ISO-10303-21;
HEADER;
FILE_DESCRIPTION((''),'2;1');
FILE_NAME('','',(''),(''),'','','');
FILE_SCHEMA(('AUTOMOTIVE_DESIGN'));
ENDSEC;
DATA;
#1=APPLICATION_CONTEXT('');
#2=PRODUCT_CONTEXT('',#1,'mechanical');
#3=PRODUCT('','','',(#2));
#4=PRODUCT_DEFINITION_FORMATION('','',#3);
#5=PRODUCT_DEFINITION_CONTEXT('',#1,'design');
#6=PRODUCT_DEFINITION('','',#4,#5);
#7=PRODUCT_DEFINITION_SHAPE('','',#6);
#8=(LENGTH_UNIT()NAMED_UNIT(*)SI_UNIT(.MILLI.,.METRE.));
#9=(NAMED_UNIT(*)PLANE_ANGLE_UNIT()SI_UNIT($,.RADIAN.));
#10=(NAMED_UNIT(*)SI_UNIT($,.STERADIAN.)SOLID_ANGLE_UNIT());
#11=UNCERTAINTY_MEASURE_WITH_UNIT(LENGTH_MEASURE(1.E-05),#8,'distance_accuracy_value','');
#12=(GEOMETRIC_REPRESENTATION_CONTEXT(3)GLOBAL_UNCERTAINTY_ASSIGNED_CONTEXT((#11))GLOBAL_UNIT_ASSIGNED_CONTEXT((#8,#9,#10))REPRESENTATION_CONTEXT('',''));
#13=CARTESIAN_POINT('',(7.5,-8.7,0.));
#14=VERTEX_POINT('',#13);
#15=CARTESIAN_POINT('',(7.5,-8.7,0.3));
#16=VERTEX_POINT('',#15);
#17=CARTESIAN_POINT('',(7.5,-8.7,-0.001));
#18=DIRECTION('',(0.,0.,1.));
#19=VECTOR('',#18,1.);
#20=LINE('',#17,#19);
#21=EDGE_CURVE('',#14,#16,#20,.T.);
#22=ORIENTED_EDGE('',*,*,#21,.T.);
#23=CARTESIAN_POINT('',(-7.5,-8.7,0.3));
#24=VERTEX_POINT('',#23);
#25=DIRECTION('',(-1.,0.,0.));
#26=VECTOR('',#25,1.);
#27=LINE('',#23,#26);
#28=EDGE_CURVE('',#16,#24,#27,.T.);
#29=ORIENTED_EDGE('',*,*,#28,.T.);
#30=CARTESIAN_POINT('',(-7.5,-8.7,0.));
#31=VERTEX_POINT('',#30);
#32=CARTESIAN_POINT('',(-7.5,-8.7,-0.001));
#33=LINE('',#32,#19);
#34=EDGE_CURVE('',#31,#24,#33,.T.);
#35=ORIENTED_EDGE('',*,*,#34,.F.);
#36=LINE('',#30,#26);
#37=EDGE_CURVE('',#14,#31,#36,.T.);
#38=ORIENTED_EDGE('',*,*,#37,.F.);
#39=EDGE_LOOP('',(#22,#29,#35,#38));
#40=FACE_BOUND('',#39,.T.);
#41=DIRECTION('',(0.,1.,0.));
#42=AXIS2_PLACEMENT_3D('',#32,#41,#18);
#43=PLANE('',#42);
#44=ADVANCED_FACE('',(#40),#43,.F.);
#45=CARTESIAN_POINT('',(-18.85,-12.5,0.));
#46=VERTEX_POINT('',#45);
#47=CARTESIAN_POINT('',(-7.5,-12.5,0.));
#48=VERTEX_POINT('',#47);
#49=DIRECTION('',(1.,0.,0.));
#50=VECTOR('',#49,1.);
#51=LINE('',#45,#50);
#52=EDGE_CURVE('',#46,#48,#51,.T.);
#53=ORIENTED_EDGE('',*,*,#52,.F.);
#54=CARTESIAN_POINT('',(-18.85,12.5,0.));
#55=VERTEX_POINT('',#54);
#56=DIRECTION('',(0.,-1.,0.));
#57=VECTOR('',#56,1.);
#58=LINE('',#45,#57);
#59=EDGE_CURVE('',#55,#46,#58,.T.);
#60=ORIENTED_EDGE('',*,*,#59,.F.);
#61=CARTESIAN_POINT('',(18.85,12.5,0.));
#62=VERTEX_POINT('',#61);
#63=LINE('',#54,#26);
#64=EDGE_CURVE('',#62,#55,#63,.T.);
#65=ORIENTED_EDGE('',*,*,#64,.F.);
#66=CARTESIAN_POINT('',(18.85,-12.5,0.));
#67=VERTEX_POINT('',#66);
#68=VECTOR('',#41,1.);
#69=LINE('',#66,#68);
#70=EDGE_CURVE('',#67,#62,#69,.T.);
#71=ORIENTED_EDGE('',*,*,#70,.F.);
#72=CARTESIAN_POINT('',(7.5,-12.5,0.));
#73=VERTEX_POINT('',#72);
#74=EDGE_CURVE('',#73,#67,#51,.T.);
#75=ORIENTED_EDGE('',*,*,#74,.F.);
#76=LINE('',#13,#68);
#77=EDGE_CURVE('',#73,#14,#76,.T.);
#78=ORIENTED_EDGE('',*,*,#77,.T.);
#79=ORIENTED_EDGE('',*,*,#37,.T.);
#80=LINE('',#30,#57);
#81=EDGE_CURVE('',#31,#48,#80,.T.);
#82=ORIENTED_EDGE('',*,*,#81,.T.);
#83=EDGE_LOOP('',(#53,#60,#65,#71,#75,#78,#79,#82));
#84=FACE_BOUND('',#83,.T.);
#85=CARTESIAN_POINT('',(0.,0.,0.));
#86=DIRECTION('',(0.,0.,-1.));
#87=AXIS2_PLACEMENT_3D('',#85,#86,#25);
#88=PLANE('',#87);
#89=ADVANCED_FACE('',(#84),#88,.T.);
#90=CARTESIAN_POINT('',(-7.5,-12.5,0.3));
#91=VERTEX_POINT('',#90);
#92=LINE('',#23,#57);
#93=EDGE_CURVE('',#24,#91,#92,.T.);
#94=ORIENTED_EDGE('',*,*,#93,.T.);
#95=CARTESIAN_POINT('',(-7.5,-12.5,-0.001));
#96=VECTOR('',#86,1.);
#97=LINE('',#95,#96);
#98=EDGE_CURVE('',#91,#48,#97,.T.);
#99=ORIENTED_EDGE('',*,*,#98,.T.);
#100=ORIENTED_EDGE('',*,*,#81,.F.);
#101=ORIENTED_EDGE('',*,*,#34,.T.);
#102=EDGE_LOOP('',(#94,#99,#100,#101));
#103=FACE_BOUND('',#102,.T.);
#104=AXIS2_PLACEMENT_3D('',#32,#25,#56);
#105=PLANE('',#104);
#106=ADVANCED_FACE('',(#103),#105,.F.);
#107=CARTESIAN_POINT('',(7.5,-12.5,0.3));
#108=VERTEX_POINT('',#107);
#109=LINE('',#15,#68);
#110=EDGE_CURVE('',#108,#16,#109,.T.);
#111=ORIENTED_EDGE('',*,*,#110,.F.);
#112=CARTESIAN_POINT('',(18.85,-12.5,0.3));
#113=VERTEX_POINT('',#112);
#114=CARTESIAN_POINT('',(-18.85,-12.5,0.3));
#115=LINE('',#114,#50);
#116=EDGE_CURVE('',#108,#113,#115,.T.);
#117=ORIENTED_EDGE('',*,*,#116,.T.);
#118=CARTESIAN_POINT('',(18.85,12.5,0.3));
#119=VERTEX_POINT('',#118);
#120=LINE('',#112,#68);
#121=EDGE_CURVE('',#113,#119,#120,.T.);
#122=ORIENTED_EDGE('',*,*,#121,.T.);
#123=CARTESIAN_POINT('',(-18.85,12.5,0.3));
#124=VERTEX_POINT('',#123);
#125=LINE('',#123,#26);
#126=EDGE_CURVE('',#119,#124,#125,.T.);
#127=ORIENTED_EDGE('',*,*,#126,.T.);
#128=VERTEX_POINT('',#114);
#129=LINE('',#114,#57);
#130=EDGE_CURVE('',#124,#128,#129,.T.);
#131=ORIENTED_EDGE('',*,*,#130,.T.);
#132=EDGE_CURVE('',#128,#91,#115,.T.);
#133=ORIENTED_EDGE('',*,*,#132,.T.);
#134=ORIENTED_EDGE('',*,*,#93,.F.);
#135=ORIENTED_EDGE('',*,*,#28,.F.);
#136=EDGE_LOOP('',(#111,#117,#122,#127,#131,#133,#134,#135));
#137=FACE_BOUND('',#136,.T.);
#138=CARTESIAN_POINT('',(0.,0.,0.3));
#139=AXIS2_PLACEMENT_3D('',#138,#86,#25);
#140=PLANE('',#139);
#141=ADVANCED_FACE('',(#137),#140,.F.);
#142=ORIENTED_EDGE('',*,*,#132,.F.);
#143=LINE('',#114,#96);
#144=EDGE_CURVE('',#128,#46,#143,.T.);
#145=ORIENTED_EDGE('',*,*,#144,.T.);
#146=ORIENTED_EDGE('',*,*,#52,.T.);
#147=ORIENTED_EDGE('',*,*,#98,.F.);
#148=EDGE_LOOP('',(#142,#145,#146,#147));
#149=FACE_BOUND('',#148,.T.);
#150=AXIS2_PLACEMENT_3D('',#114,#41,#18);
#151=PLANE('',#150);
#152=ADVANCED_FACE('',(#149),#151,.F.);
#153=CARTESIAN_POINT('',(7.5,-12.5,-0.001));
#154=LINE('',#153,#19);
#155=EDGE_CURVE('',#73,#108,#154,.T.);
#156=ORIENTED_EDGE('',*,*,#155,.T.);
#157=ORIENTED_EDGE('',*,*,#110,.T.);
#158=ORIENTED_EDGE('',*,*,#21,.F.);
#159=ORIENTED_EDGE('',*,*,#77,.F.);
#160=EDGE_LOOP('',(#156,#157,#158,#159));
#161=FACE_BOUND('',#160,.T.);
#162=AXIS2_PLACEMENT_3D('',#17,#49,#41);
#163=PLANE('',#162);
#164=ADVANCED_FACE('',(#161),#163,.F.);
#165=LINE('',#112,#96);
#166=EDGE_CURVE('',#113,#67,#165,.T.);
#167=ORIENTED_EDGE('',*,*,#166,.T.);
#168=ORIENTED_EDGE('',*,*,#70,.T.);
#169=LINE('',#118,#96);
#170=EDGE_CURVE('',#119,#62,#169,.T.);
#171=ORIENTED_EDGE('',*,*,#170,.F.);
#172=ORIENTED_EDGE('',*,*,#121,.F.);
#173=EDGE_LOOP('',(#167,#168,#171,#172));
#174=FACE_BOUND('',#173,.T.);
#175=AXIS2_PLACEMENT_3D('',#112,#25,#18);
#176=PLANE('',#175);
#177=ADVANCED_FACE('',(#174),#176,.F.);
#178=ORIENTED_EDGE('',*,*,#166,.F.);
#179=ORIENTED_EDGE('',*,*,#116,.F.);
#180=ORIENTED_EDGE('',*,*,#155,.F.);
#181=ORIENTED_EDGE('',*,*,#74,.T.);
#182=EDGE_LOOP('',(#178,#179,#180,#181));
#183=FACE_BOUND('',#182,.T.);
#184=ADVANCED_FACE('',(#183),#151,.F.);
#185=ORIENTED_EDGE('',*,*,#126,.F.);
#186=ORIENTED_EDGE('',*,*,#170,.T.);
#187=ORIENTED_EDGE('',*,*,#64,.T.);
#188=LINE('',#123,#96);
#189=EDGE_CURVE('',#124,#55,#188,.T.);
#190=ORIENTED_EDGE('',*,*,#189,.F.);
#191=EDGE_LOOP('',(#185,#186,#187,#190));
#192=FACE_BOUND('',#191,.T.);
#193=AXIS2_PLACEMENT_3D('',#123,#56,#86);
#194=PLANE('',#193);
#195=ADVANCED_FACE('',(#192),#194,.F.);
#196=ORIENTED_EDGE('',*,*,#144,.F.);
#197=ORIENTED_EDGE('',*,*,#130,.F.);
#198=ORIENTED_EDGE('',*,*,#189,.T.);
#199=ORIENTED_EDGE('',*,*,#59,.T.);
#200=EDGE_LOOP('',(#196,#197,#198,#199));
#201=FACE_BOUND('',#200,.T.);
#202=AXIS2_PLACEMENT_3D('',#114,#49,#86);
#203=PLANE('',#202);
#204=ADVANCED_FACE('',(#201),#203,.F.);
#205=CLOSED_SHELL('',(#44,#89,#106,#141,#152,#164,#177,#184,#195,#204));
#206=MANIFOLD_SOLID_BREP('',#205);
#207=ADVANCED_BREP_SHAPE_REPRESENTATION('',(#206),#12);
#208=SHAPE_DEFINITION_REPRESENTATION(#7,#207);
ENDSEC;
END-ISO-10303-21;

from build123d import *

# Parameters (mm, degrees)
SKETCH1_W           = 37.7
SKETCH1_H           = 25
BOSS_EXTRUDE1_DEPTH = 0.3
CUT_EXTRUDE1_REACH  = 24.62
SKETCH2_W           = 15
SKETCH2_H           = 6


with BuildPart() as part:
    # Sketch1 → Boss-Extrude1 (new body)
    with BuildSketch(Plane.XY):
        Rectangle(SKETCH1_W, SKETCH1_H)
    extrude(amount=BOSS_EXTRUDE1_DEPTH)

    # Sketch2 → Cut-Extrude1 (cut, up to next)
    with BuildSketch(Plane.XY.offset(0.3), mode=Mode.PRIVATE) as cut_extrude1_sk1:
        with Locations((0, -11.7)):
            Rectangle(SKETCH2_W, SKETCH2_H)
    cut_extrude1_tool1 = extrude(cut_extrude1_sk1.sketch, amount=-CUT_EXTRUDE1_REACH, mode=Mode.PRIVATE) & part.part
    add(cut_extrude1_tool1.solids().sort_by_distance((0, -11.7, 0.3))[0], mode=Mode.SUBTRACT)


solid = part.part
